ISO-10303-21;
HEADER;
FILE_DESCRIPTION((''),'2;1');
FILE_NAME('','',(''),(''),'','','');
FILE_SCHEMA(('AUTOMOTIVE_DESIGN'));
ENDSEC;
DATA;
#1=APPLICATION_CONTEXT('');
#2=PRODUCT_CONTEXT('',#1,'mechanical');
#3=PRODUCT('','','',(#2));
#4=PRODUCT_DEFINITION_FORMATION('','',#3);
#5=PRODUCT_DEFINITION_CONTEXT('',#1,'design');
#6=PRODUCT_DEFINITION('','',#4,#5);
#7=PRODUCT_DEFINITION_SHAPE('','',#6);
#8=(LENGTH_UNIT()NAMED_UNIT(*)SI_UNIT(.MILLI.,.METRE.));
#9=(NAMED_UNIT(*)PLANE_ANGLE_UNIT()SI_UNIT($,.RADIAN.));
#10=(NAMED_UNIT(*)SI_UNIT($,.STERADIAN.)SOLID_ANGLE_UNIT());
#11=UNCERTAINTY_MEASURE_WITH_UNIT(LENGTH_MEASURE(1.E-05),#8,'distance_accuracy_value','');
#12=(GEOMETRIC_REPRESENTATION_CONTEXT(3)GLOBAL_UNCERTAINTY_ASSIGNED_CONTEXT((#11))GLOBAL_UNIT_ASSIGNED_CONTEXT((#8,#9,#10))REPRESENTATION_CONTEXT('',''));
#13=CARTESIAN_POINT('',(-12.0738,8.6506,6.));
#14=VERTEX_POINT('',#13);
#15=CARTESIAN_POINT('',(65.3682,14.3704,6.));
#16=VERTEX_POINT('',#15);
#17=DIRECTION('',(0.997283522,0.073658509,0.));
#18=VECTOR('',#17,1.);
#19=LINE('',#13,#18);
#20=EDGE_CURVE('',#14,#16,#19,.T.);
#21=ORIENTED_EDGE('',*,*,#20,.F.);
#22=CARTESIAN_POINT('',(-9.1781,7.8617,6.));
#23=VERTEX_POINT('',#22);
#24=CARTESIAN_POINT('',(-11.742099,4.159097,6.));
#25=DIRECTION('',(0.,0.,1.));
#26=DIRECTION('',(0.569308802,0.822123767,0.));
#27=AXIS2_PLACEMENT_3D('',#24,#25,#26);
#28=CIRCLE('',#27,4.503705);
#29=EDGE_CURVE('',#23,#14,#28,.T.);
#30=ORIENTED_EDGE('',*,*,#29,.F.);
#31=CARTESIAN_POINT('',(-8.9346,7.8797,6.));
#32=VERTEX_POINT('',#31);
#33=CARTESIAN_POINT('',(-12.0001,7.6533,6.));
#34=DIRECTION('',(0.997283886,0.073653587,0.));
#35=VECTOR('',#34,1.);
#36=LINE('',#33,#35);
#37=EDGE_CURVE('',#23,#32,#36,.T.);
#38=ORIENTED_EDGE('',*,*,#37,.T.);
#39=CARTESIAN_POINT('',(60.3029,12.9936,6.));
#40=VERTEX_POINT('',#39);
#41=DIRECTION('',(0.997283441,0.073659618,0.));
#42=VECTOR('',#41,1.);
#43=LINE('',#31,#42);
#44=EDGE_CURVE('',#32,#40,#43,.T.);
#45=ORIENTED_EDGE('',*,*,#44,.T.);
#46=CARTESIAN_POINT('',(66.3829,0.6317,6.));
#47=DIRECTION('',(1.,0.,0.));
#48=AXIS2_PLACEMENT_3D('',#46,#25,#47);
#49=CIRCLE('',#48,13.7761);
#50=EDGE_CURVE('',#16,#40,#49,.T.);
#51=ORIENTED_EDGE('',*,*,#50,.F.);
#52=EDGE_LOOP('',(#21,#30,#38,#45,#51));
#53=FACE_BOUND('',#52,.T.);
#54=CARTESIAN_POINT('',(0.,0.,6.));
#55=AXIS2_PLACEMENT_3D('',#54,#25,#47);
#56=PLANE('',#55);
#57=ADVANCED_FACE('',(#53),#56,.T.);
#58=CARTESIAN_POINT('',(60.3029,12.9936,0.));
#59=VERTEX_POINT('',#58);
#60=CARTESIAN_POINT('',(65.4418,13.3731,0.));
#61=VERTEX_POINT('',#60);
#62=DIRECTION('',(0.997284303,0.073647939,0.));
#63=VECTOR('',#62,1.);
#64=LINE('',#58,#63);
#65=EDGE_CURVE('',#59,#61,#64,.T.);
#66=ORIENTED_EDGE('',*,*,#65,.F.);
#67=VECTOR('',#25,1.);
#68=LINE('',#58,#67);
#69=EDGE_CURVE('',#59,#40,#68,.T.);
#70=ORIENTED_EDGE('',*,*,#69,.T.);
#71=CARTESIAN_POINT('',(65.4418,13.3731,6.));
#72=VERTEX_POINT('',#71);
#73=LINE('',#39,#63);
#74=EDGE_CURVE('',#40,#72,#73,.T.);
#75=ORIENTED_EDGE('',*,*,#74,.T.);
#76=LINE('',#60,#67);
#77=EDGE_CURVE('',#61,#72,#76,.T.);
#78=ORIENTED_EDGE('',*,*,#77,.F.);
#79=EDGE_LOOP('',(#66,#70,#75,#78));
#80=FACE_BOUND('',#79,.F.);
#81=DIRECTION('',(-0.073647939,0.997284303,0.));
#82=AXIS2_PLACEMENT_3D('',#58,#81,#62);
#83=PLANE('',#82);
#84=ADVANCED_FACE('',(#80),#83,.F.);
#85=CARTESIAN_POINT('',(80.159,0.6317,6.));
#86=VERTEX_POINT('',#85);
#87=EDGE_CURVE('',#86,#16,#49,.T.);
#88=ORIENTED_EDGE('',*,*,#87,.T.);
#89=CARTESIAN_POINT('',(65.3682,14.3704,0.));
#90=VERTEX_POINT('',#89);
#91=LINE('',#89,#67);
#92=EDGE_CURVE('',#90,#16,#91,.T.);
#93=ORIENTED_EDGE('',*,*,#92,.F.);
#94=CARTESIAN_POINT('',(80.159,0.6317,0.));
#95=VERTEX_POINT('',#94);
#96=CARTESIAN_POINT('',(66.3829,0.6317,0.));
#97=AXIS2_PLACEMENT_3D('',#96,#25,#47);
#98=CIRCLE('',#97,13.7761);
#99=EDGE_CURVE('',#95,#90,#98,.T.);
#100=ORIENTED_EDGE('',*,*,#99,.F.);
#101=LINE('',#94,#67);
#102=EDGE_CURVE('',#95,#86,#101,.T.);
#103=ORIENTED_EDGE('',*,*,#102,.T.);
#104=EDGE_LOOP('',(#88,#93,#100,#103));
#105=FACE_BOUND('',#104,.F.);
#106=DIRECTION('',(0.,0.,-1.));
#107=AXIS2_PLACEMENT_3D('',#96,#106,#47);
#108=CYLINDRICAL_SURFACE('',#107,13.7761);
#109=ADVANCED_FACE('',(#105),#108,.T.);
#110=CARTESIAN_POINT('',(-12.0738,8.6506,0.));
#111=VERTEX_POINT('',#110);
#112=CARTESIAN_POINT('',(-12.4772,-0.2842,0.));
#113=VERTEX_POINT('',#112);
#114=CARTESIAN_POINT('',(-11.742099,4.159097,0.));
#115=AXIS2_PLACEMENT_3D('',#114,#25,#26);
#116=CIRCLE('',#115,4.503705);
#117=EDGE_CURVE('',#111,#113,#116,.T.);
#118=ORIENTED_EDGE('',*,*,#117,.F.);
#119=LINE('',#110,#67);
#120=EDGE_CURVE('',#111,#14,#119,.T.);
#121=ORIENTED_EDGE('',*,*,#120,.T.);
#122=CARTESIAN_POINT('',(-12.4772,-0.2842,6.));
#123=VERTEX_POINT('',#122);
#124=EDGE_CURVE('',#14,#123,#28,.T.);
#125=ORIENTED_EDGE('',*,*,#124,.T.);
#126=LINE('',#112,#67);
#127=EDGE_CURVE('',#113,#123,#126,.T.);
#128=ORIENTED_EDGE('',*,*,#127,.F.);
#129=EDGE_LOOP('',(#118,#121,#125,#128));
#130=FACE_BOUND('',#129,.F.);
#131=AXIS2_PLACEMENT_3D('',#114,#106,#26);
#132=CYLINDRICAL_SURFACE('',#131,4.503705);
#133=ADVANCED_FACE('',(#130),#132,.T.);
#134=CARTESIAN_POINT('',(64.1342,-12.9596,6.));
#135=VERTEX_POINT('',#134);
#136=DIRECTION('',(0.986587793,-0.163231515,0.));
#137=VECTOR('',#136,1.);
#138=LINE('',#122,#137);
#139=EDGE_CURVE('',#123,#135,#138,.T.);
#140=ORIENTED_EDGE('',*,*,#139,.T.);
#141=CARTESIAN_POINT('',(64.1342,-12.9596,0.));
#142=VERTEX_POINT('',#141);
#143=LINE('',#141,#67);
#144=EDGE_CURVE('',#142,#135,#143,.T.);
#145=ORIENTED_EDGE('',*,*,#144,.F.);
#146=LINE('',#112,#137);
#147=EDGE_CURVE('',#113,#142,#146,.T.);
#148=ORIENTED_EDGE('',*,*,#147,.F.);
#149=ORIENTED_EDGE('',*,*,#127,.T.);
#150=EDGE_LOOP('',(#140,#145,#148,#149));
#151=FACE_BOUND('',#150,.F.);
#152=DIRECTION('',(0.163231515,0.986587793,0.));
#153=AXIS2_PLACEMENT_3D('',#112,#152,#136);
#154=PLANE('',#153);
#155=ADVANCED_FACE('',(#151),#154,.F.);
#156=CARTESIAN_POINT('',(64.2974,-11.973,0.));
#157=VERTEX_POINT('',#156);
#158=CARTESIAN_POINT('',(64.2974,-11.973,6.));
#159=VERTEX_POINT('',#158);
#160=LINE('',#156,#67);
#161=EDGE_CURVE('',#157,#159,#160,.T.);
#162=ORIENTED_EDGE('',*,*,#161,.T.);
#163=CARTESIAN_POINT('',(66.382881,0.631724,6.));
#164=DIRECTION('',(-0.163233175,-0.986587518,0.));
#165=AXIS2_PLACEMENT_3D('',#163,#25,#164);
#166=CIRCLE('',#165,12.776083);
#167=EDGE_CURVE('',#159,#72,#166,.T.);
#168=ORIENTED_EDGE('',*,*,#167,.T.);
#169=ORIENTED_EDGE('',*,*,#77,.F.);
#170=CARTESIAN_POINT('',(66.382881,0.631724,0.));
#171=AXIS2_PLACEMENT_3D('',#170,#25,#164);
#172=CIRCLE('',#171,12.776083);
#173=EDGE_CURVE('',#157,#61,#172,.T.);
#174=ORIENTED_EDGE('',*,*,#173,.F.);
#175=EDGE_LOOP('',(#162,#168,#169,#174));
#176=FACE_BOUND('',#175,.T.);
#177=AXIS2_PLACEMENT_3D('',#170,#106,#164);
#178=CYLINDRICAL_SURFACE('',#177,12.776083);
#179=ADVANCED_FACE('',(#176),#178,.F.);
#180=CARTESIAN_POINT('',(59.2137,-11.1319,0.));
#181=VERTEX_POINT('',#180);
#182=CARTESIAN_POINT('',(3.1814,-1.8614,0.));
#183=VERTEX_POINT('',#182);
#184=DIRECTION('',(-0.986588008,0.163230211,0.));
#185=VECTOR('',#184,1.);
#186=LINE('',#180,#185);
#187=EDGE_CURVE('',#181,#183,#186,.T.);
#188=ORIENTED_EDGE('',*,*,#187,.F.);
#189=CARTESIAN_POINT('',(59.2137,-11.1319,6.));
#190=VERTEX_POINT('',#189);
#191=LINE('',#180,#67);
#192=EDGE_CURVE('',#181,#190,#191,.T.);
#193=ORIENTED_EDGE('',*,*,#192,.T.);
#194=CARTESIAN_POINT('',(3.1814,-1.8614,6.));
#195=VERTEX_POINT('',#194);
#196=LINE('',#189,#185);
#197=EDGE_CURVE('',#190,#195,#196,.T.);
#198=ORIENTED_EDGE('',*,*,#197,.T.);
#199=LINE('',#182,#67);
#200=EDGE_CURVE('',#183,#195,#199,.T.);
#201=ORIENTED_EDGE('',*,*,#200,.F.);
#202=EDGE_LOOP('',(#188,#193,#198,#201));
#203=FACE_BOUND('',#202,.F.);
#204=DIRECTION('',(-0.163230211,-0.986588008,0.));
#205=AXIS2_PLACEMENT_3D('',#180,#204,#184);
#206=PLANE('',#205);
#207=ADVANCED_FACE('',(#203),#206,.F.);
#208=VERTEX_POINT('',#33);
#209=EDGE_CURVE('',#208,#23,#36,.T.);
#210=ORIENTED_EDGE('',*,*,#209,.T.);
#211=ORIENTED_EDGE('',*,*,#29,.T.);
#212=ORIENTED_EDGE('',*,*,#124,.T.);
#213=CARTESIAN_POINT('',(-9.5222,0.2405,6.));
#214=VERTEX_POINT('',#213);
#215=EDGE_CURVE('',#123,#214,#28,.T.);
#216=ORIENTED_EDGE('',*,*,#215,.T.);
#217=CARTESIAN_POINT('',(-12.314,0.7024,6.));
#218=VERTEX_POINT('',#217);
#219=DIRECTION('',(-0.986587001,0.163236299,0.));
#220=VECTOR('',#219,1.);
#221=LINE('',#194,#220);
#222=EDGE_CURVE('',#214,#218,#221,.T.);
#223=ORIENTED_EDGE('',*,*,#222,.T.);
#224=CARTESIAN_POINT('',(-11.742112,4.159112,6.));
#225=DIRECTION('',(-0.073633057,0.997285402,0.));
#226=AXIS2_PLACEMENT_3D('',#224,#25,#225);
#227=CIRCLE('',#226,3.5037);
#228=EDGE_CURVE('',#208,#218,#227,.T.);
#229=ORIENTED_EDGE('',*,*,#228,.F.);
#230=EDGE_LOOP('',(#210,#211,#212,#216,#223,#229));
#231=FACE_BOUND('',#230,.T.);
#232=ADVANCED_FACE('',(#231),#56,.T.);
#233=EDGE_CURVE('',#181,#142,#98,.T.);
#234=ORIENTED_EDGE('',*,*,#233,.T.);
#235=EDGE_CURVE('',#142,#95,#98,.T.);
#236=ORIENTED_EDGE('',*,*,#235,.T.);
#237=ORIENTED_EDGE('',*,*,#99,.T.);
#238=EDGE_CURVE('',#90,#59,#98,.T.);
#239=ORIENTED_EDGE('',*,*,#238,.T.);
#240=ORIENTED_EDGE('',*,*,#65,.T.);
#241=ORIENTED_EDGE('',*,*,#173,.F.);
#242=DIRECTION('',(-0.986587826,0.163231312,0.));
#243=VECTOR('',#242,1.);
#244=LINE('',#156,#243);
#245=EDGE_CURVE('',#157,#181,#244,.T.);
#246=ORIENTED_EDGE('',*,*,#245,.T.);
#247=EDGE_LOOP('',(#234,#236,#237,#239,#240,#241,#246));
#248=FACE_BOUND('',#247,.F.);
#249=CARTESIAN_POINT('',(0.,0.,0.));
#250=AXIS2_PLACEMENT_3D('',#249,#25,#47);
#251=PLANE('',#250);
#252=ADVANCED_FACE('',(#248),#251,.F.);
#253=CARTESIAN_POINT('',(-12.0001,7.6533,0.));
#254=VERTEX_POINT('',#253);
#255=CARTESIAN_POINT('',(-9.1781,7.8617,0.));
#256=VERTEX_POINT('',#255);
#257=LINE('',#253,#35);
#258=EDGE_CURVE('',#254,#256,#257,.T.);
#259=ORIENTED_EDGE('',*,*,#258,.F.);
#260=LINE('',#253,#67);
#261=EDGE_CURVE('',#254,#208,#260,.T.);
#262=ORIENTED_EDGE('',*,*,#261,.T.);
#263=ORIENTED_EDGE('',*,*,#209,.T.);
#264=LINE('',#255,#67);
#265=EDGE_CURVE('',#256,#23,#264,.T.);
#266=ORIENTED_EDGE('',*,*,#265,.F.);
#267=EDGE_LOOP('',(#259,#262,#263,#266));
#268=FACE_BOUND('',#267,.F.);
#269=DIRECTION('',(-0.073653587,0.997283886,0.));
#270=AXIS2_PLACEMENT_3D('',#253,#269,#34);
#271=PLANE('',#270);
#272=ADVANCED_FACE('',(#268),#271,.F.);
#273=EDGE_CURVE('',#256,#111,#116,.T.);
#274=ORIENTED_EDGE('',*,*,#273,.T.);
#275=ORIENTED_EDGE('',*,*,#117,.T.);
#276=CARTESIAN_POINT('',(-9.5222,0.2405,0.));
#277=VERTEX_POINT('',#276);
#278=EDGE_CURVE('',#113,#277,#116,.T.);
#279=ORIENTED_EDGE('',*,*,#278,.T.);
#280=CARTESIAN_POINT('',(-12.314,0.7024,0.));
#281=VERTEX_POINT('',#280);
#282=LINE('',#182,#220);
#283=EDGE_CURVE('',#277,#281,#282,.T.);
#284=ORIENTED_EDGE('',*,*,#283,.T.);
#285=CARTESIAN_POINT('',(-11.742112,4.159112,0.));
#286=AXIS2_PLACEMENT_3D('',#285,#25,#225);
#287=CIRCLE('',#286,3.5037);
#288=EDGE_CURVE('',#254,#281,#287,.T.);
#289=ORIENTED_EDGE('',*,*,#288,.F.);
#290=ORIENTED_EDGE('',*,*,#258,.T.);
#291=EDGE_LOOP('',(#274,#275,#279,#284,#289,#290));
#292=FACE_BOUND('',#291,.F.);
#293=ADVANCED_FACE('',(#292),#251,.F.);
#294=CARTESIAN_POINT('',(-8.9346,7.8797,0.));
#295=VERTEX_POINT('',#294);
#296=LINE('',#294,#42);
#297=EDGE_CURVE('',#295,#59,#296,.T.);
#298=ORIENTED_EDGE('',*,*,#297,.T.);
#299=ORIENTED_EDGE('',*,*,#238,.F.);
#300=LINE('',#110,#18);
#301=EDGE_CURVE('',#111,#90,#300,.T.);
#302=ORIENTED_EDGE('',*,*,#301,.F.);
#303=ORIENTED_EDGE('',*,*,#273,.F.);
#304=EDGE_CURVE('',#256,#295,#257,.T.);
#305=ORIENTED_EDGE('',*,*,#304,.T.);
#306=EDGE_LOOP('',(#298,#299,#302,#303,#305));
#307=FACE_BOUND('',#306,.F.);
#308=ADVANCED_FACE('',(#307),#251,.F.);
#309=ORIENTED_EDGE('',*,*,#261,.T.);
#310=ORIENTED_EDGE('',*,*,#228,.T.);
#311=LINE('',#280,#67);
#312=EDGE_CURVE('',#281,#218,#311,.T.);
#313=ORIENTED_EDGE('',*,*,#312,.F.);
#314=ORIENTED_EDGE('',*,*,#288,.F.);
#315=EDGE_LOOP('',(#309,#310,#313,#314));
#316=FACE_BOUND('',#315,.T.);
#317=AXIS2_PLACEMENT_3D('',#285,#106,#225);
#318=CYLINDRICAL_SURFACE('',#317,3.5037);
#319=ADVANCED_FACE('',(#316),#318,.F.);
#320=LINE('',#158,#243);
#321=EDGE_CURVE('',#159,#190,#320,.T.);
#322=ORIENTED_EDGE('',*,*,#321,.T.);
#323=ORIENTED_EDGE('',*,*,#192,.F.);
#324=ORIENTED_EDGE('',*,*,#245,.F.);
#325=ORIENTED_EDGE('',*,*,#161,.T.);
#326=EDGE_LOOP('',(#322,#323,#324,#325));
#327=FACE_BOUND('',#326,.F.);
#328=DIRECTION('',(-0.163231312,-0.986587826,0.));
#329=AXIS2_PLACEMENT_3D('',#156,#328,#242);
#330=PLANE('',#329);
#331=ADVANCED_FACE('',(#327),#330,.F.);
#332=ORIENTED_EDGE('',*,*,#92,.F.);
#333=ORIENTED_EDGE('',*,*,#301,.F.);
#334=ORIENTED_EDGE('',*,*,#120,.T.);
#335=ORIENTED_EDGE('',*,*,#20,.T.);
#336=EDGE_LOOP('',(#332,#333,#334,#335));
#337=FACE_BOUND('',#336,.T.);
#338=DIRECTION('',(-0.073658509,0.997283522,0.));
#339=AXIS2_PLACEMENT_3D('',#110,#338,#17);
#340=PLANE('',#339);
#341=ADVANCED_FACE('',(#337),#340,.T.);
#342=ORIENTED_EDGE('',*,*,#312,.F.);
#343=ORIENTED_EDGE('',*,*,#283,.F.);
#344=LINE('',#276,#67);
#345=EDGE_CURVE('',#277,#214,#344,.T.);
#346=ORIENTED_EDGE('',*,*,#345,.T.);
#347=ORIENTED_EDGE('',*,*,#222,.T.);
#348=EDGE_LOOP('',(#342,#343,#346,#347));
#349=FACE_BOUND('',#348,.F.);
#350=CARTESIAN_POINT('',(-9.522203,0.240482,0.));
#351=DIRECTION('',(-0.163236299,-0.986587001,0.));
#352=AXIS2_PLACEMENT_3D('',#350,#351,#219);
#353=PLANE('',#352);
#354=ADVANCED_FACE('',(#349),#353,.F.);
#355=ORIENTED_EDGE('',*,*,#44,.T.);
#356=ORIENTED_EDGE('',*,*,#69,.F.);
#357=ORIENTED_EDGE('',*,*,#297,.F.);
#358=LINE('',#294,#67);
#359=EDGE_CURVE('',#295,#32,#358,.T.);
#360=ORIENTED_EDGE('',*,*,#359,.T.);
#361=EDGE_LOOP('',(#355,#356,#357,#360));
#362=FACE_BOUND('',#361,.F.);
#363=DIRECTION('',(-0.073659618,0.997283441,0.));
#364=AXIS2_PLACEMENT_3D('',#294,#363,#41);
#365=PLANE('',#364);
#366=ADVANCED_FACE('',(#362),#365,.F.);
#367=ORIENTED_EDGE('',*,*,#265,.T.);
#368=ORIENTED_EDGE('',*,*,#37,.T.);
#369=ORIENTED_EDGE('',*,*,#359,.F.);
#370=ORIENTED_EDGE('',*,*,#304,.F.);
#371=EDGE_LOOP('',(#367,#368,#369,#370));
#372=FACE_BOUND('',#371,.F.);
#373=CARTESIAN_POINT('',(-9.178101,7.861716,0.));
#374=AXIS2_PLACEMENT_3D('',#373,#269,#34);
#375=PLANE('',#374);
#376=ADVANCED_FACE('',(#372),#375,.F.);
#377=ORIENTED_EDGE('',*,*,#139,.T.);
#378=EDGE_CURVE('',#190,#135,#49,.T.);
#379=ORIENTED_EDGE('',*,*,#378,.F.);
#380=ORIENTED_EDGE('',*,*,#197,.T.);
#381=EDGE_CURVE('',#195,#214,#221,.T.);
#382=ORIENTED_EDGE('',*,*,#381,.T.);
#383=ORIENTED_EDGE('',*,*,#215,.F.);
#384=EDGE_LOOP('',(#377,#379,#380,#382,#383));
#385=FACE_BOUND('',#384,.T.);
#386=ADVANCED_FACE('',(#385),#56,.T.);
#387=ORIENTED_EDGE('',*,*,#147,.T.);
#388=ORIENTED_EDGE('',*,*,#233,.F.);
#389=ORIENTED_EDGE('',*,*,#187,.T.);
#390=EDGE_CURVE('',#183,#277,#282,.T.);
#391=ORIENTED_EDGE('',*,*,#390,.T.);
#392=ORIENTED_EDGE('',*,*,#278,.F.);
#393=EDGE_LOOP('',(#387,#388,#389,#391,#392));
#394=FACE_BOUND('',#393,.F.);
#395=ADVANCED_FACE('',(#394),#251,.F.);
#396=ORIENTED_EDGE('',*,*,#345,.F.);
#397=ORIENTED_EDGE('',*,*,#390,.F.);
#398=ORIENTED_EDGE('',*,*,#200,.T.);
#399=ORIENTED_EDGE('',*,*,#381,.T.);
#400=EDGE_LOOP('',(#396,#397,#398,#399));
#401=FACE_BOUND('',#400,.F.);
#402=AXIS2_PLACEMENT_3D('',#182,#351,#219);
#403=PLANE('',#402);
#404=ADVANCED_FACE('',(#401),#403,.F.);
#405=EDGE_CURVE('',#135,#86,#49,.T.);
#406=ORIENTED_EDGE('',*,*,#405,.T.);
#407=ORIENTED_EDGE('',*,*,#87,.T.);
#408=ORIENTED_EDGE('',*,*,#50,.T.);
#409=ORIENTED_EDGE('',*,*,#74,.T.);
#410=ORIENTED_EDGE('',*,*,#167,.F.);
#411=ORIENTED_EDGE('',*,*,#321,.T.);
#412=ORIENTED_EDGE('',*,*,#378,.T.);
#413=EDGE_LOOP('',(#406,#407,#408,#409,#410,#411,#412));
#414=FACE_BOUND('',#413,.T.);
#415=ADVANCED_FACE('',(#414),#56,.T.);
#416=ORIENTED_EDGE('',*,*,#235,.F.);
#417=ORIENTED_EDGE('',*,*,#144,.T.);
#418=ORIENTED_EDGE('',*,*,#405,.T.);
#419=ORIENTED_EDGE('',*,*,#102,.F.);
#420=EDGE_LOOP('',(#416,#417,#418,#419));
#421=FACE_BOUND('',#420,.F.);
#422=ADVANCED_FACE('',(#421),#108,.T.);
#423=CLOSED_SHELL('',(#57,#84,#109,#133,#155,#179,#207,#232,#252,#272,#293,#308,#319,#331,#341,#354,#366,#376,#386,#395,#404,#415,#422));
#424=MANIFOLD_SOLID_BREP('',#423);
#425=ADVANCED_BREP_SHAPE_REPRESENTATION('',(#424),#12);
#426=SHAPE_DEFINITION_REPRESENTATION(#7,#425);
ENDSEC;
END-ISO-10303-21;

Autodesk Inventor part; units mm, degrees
ref_plane "YZ Plane" through (0, 0, 0) normal (1, 0, 0) x (0, 1, 0)
ref_plane "XZ Plane" through (0, 0, 0) normal (0, 1, 0) x (-1, 0, 0)
ref_plane "XY Plane" through (0, 0, 0) normal (0, 0, 1) x (1, 0, 0)
sketch "Sketch1" plane through (0, 0, 0) normal (0, 0, 1) x (1, 0, 0)
  circle A0 centre (66.3829, 0.6317) radius 13.7761 projected
  line L0 (-12.0738, 8.6506) -> (65.3682, 14.3704)
  line L1 (-12.4772, -0.2842) -> (64.1342, -12.9596)
  line L2 (-12.0001, 7.6533) -> (-8.9346, 7.8797)
  arc A1 (64.2974, -11.973) -> (65.4418, 13.3731) centre (66.3829, 0.6317) ccw
  line L3 (64.2974, -11.973) -> (59.2137, -11.1319)
  arc A2 (-12.0001, 7.6533) -> (-12.314, 0.7024) centre (-11.7421, 4.1591) ccw
  line L4 (3.1814, -1.8614) -> (-12.314, 0.7024)
  line L5 (-8.9346, 7.8797) -> (60.3029, 12.9936)
  line L6 (59.2137, -11.1319) -> (3.1814, -1.8614)
  line L7 (60.3029, 12.9936) -> (65.4418, 13.3731)
  arc A3 (-9.1781, 7.8617) -> (-9.5222, 0.2405) centre (-11.7421, 4.1591) ccw
  arc A4 (-9.5222, 0.2405) -> (-9.1781, 7.8617) centre (-11.7421, 4.1591) ccw
  point P0 (0, 0)
  dimension "d0" = 1
extrude "Extrusion2" add sketch "Sketch1" along normal blind 6 contours A0 L3 A1 L7 | A0 L5 L2 A3 L0 | L1 A3 L4 L6 A0 | A3 L2 A2 L4 picked at (66.3473, -12.7206)
properties part number "Belt"
